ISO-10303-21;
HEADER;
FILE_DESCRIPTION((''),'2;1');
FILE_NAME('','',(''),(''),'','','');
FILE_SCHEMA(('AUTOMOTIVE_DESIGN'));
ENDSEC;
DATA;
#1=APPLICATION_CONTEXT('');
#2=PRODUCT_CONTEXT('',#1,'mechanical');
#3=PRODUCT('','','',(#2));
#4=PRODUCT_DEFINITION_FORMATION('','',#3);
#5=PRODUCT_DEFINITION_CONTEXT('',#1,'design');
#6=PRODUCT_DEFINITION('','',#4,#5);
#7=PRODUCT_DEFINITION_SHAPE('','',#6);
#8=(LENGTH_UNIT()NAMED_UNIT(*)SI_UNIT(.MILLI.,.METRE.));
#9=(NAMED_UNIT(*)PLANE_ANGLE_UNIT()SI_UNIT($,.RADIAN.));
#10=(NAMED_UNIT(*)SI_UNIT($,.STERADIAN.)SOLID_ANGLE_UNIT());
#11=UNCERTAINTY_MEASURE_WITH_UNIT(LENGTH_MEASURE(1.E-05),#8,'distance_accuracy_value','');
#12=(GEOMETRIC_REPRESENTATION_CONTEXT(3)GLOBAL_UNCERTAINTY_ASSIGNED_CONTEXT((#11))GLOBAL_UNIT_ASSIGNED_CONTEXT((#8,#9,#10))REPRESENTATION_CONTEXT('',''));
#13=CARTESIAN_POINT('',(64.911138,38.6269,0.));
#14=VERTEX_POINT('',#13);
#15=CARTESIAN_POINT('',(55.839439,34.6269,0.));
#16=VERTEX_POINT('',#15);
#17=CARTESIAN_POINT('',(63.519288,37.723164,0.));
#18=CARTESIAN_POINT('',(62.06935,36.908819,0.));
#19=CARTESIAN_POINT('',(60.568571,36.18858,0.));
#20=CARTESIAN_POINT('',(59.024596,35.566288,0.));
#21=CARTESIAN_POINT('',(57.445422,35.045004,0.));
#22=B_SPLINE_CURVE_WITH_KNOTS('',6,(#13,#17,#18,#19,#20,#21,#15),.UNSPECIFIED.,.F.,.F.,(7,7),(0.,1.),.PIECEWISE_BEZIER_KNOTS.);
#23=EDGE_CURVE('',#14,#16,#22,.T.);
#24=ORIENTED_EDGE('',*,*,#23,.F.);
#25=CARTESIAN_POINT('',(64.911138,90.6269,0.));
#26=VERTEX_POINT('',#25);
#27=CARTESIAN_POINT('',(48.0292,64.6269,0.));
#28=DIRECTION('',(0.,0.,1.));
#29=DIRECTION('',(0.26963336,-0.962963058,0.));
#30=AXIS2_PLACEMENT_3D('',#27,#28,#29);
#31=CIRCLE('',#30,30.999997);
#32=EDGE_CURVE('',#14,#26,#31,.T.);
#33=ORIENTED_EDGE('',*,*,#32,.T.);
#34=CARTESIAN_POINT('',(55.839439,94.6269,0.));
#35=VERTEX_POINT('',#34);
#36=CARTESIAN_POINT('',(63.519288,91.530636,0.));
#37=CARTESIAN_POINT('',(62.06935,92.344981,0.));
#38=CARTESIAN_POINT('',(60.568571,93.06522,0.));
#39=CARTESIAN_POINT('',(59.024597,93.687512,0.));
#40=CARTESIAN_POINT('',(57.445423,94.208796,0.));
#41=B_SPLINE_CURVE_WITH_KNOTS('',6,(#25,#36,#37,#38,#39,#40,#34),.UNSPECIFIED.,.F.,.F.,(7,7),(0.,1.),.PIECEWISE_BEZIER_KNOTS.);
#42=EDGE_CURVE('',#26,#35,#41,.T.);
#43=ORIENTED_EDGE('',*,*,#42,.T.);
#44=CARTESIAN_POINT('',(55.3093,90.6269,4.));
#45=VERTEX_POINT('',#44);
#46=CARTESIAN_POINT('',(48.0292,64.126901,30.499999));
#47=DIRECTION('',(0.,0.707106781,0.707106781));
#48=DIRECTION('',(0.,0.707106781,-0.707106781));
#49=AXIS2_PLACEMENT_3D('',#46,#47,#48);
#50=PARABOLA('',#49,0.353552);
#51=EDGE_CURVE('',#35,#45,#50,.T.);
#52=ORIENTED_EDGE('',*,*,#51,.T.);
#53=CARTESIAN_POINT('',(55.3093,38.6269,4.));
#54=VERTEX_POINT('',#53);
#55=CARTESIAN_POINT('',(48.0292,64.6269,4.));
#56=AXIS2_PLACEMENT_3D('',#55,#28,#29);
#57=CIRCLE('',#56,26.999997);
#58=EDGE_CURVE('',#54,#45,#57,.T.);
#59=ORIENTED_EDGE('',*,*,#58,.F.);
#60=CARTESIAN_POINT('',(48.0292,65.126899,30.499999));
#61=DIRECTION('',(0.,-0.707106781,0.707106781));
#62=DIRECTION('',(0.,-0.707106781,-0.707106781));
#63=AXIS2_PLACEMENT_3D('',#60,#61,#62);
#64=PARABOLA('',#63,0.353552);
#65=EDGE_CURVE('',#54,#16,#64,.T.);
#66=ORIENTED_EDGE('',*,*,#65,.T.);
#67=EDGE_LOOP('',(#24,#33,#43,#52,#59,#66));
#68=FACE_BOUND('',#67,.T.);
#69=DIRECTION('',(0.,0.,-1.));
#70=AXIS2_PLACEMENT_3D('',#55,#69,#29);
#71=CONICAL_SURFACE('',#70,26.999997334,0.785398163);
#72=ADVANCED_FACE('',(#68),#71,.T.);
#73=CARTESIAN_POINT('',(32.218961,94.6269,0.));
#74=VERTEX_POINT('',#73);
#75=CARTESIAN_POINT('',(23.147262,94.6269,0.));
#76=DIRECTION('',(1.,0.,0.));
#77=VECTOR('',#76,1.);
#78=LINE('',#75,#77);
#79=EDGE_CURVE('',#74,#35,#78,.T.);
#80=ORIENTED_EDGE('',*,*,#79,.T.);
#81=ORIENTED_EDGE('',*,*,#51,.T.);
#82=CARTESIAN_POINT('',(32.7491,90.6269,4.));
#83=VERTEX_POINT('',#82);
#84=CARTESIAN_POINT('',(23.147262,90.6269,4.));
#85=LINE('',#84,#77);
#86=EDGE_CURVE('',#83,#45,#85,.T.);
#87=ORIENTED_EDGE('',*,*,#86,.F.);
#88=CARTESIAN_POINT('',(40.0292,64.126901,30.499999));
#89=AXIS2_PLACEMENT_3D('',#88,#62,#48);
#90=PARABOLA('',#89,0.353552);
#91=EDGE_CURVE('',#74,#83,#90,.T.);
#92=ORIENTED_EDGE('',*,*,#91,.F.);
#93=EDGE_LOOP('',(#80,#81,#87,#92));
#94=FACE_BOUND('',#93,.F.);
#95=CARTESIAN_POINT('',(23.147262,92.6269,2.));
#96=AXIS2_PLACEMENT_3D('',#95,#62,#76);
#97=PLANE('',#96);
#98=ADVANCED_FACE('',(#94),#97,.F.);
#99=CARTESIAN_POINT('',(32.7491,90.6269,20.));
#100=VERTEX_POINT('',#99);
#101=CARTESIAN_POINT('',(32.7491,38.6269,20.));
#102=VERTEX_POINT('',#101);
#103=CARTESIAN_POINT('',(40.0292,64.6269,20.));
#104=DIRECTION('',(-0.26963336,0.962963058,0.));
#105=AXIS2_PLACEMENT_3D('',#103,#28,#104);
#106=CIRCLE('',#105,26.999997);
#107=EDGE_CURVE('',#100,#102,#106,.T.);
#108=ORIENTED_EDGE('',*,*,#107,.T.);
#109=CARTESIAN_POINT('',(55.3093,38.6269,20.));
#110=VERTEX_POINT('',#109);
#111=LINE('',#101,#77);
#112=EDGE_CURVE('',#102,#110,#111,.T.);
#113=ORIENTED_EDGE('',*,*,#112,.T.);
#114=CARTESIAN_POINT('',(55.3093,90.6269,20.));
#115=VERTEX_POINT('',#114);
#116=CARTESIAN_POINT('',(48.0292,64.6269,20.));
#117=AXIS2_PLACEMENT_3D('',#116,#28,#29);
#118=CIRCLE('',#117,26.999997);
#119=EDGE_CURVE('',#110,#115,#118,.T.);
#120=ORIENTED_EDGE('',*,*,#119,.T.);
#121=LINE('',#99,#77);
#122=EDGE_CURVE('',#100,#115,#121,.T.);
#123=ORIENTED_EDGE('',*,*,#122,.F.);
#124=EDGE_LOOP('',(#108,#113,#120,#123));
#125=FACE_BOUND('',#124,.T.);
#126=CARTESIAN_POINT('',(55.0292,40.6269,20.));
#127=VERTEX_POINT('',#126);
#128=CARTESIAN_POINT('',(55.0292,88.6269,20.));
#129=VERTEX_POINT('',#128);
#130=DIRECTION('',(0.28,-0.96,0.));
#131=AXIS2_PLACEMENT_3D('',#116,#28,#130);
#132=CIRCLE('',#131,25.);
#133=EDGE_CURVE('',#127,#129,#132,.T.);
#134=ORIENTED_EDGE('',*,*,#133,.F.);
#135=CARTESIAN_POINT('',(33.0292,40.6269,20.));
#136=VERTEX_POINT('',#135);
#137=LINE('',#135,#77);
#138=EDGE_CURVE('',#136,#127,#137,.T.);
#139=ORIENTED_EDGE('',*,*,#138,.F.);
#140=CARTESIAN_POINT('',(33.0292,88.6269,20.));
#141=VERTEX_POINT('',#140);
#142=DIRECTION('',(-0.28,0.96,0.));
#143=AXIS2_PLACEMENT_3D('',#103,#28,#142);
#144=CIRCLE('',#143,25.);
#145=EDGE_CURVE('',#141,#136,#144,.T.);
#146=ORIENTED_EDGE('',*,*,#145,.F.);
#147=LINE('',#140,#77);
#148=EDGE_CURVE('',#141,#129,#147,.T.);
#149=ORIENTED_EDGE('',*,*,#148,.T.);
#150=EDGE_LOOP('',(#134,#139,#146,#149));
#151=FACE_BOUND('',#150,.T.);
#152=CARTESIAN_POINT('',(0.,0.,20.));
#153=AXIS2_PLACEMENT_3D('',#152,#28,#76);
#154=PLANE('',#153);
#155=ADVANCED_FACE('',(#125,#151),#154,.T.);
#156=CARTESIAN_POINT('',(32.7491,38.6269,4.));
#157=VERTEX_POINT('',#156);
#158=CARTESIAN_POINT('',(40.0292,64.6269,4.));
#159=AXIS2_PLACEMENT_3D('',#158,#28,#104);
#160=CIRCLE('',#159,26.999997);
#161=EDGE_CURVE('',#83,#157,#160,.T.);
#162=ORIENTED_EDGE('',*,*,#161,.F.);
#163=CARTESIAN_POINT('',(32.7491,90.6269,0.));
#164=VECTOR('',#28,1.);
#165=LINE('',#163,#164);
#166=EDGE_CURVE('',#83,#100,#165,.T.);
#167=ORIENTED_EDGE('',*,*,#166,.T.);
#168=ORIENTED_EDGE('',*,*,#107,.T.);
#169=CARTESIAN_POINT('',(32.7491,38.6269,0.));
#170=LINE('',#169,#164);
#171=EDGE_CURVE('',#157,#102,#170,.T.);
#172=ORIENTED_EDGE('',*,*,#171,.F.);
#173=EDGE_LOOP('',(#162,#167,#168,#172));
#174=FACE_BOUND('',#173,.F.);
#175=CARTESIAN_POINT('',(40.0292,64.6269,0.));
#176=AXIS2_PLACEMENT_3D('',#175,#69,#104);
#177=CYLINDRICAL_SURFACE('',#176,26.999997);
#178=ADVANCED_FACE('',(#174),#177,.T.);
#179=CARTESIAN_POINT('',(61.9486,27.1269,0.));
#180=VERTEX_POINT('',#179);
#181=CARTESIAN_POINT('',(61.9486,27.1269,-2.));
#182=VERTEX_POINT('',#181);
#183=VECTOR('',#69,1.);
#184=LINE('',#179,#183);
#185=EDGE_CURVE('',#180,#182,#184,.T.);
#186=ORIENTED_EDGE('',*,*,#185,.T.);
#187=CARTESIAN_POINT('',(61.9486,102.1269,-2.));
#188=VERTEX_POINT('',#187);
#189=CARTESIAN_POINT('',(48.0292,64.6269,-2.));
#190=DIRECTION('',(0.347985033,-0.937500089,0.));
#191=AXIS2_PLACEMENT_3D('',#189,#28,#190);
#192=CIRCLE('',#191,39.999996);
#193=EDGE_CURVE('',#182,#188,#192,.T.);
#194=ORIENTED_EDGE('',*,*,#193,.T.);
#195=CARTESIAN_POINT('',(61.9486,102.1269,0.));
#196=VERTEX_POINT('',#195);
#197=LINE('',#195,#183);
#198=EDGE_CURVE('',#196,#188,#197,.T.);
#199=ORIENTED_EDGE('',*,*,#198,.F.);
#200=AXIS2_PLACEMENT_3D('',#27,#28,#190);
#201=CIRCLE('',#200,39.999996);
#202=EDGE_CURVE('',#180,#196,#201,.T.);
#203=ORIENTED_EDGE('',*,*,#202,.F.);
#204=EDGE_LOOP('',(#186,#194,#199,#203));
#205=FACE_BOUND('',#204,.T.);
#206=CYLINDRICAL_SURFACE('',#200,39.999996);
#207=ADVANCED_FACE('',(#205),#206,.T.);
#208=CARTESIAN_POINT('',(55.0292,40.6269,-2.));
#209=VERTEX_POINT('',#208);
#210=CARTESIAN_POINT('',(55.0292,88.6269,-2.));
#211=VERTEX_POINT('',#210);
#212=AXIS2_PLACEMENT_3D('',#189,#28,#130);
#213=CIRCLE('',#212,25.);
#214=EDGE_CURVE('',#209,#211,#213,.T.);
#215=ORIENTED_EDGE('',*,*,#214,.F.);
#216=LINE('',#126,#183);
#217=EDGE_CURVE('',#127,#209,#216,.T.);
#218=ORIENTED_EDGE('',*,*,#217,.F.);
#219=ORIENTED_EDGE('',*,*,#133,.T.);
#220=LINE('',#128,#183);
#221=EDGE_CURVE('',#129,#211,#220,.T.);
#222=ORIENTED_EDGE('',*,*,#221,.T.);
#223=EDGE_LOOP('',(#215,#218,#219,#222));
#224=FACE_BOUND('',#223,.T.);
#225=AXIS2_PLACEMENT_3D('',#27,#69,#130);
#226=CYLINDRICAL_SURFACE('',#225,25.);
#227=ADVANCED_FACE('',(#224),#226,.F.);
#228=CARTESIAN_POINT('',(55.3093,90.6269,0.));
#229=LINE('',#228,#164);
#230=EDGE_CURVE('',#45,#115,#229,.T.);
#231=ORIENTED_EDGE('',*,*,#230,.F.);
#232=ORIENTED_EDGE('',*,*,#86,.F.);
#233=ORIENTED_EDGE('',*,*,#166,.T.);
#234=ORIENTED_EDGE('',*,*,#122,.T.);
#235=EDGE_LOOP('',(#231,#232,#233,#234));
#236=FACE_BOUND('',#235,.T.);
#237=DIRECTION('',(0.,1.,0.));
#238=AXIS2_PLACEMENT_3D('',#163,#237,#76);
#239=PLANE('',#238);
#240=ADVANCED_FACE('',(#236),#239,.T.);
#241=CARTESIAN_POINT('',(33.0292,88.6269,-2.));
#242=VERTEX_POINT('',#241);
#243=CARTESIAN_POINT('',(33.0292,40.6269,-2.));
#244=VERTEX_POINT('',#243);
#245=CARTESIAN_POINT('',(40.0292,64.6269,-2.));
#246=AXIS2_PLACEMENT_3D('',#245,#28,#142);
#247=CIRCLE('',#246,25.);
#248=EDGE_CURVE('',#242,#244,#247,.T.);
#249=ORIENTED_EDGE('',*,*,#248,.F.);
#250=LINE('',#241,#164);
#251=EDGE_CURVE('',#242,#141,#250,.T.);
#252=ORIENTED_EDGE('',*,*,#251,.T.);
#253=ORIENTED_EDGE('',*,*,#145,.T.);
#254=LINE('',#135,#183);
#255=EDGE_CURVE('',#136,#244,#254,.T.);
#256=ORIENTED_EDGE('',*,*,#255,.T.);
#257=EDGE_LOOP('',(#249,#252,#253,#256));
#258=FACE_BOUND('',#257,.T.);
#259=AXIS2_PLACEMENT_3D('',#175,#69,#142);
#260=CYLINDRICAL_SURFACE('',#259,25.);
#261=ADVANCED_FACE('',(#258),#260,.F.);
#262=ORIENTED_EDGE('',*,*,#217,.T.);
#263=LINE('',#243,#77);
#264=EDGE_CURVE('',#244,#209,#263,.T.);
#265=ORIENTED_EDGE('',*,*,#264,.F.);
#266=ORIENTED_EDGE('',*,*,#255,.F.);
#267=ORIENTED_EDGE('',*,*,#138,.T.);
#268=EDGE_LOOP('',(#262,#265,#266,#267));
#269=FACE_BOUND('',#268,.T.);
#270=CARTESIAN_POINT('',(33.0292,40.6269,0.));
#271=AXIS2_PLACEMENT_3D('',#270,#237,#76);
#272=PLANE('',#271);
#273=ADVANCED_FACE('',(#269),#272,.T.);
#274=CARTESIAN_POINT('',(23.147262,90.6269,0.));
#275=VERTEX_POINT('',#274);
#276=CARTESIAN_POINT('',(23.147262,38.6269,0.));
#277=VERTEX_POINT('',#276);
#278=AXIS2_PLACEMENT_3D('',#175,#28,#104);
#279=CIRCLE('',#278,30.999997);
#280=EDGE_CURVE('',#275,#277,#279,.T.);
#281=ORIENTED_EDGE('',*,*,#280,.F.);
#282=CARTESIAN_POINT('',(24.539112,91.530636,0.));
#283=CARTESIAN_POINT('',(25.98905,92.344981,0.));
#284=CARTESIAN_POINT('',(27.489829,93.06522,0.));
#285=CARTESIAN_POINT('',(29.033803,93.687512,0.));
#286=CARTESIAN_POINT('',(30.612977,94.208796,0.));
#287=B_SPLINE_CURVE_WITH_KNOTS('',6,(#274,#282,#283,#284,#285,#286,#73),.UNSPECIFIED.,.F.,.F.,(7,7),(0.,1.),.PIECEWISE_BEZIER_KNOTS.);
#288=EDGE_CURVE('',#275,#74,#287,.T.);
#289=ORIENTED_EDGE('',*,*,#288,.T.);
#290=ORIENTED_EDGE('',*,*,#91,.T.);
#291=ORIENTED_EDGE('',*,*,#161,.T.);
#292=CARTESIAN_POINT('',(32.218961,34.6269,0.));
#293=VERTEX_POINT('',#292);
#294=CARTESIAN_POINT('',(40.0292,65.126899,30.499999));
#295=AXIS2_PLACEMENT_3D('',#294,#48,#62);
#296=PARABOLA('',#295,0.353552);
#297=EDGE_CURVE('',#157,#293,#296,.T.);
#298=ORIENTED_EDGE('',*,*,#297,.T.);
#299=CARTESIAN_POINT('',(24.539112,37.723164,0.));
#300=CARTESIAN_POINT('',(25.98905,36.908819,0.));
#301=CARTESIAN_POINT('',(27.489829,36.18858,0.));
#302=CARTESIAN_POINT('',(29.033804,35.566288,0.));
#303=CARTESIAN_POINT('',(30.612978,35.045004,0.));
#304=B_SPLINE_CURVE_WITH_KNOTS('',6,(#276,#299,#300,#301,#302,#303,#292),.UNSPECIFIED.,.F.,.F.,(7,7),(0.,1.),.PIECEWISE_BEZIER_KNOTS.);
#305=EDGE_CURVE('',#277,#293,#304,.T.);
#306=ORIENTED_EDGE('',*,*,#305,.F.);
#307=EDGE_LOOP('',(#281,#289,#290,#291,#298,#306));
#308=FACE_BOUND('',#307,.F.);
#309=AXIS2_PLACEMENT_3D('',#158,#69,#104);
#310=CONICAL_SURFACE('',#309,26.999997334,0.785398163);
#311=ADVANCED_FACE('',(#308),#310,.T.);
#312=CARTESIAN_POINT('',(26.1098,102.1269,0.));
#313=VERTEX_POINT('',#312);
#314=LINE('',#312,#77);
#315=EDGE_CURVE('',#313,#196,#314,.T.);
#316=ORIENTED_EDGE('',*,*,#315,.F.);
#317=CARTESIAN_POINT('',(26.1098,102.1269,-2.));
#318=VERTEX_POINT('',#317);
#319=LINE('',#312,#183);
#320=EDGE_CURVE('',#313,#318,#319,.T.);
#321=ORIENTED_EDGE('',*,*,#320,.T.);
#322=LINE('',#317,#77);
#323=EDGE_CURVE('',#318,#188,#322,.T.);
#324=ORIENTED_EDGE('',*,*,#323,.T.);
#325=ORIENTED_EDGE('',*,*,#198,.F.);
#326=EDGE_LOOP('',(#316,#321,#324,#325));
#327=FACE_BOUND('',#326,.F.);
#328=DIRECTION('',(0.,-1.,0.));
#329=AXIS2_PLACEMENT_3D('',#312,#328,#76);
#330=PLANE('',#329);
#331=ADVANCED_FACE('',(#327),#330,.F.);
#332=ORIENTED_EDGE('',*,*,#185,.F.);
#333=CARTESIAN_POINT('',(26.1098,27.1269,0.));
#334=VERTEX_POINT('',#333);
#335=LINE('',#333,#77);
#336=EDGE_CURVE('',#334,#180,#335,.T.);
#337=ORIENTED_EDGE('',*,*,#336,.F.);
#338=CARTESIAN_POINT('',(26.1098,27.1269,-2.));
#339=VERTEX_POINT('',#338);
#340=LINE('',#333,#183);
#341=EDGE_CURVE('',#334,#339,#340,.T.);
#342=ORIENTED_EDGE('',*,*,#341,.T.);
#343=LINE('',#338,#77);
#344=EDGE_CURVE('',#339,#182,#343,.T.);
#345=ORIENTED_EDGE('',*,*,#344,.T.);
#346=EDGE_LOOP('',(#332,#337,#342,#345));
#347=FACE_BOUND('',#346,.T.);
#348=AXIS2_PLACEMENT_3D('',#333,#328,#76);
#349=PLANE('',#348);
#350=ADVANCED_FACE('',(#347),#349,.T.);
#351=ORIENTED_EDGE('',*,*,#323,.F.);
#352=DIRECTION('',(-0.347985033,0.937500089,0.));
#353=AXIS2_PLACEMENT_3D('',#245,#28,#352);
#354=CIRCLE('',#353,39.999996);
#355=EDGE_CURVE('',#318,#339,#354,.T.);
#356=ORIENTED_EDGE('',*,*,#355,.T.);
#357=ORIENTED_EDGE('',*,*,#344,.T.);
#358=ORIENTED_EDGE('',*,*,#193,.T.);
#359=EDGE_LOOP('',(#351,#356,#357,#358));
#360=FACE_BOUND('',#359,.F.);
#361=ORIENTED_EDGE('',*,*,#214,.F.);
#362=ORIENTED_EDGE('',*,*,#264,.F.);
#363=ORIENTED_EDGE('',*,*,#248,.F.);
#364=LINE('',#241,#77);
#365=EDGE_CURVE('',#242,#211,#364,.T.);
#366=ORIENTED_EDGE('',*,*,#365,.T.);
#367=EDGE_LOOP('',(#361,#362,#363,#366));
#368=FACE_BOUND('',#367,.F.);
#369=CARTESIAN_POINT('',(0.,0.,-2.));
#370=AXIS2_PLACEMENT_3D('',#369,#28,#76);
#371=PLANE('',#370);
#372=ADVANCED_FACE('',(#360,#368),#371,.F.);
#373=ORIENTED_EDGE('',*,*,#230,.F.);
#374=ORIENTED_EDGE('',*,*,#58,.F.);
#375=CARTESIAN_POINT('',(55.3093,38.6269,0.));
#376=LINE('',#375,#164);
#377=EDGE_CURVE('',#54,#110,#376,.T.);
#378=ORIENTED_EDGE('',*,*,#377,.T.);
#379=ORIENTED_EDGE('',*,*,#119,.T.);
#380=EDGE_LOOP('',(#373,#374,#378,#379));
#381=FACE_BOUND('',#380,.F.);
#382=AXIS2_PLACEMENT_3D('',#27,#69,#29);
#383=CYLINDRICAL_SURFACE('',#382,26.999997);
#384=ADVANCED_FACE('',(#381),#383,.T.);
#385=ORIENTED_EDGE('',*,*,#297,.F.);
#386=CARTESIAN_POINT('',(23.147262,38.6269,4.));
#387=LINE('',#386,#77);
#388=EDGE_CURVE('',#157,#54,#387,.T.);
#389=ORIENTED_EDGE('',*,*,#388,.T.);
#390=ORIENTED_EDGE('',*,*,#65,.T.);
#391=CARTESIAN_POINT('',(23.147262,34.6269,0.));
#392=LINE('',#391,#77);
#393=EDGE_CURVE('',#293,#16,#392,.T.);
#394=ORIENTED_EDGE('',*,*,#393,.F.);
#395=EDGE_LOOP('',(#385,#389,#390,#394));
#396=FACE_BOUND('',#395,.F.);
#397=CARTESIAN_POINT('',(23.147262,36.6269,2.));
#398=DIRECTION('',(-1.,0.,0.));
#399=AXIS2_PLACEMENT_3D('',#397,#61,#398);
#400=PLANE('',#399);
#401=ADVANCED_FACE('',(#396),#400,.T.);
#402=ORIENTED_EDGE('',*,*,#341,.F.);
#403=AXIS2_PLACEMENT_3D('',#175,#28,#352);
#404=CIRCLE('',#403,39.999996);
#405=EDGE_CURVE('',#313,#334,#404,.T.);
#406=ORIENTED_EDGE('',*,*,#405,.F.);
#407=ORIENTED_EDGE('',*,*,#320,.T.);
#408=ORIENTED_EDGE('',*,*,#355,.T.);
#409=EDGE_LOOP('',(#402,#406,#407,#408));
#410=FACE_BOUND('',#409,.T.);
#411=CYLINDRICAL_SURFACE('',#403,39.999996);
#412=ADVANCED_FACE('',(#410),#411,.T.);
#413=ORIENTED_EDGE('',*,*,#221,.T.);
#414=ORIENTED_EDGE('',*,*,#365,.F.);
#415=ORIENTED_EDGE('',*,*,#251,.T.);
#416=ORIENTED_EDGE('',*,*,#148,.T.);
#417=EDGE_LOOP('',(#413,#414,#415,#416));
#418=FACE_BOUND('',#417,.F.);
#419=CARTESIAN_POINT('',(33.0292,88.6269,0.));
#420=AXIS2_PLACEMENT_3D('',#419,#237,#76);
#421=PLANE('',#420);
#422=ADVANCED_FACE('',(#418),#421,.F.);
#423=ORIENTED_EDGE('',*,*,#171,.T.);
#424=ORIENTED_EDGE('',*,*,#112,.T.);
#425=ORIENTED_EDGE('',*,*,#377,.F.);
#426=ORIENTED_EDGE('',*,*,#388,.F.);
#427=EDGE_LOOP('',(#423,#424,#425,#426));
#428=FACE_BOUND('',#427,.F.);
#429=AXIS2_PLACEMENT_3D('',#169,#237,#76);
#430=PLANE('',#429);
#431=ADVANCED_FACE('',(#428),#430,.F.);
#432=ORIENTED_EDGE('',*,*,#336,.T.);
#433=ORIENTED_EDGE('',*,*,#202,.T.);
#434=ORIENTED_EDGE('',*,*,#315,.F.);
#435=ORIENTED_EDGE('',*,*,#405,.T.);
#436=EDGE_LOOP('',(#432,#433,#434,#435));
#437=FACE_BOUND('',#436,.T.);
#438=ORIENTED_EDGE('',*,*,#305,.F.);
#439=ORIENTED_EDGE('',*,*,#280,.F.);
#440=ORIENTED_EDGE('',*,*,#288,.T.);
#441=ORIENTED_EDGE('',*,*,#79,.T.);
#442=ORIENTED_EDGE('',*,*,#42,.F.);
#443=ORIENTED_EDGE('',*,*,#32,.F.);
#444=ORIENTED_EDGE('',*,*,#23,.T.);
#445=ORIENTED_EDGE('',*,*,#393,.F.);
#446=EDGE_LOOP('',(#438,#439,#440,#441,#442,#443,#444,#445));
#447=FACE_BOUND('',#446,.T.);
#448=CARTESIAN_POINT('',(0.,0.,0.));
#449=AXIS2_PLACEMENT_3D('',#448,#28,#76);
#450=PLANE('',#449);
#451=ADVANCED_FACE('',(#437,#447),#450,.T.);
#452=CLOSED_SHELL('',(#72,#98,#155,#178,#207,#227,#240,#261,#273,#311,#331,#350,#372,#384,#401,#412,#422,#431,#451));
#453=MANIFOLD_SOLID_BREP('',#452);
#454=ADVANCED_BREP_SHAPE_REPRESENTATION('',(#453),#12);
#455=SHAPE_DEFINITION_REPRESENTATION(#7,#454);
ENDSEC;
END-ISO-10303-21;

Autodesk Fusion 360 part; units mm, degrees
sketch "Sketch1" plane through (0, 0, 0) normal (0, 0, 1) x (1, 0, 0)
  line L0 (33.0292, 88.6269) -> (55.0292, 88.6269)
  line L1 (33.0292, 40.6269) -> (55.0292, 40.6269)
  arc A0 (33.0292, 88.6269) -> (33.0292, 40.6269) centre (40.0292, 64.6269) ccw
  arc A1 (55.0292, 40.6269) -> (55.0292, 88.6269) centre (48.0292, 64.6269) ccw
  arc A2 (55.3093, 38.6269) -> (55.3093, 90.6269) centre (48.0292, 64.6269) ccw
  line L2 (32.7491, 38.6269) -> (55.3093, 38.6269)
  line L3 (32.7491, 90.6269) -> (55.3093, 90.6269)
  arc A3 (32.7491, 90.6269) -> (32.7491, 38.6269) centre (40.0292, 64.6269) ccw
  arc A4 (33.0292, 88.6269) -> (33.0292, 40.6269) centre (40.0292, 64.6269) ccw
  arc A5 (26.1098, 102.1269) -> (26.1098, 27.1269) centre (40.0292, 64.6269) ccw
  arc A6 (61.9486, 27.1269) -> (61.9486, 102.1269) centre (48.0292, 64.6269) ccw
  line L4 (26.1098, 102.1269) -> (61.9486, 102.1269)
  line L5 (26.1098, 27.1269) -> (61.9486, 27.1269)
  point P0 (15.0292, 64.6269)
  point P1 (73.0292, 64.6269)
  point P2 (75.0292, 64.6269)
  point P3 (13.0292, 64.6269)
  dimension "d5" = 50
  dimension "d6" = 48
  dimension "d10" = 58
  dimension "d23" = 52
  dimension "d24" = 62
  dimension "d25" = 27
  dimension "d26" = 27
  dimension "d27" = 8
  dimension "d28" = 8
  dimension "d31" = 50
  dimension "d32" = 48
  dimension "d33" = 75
  dimension "d34" = 40
  dimension "d35" = 75
  dimension "d36" = 40
  dimension "d37" = 8
extrude "Extrude1" add sketch "Sketch1" along normal blind 20 contours A2 L2 L3 A3
extrude "Extrude2" add sketch "Sketch1" against normal blind 2 contours A2 L2 L3 A3 | A5 A6 L4 L5
chamfer "Chamfer1" distance 4 angle 45 4 edges at (44.0292, 90.6269, 0) (13.0292, 64.6269, 0) (75.0292, 64.6269, 0) (44.0292, 38.6269, 0)
